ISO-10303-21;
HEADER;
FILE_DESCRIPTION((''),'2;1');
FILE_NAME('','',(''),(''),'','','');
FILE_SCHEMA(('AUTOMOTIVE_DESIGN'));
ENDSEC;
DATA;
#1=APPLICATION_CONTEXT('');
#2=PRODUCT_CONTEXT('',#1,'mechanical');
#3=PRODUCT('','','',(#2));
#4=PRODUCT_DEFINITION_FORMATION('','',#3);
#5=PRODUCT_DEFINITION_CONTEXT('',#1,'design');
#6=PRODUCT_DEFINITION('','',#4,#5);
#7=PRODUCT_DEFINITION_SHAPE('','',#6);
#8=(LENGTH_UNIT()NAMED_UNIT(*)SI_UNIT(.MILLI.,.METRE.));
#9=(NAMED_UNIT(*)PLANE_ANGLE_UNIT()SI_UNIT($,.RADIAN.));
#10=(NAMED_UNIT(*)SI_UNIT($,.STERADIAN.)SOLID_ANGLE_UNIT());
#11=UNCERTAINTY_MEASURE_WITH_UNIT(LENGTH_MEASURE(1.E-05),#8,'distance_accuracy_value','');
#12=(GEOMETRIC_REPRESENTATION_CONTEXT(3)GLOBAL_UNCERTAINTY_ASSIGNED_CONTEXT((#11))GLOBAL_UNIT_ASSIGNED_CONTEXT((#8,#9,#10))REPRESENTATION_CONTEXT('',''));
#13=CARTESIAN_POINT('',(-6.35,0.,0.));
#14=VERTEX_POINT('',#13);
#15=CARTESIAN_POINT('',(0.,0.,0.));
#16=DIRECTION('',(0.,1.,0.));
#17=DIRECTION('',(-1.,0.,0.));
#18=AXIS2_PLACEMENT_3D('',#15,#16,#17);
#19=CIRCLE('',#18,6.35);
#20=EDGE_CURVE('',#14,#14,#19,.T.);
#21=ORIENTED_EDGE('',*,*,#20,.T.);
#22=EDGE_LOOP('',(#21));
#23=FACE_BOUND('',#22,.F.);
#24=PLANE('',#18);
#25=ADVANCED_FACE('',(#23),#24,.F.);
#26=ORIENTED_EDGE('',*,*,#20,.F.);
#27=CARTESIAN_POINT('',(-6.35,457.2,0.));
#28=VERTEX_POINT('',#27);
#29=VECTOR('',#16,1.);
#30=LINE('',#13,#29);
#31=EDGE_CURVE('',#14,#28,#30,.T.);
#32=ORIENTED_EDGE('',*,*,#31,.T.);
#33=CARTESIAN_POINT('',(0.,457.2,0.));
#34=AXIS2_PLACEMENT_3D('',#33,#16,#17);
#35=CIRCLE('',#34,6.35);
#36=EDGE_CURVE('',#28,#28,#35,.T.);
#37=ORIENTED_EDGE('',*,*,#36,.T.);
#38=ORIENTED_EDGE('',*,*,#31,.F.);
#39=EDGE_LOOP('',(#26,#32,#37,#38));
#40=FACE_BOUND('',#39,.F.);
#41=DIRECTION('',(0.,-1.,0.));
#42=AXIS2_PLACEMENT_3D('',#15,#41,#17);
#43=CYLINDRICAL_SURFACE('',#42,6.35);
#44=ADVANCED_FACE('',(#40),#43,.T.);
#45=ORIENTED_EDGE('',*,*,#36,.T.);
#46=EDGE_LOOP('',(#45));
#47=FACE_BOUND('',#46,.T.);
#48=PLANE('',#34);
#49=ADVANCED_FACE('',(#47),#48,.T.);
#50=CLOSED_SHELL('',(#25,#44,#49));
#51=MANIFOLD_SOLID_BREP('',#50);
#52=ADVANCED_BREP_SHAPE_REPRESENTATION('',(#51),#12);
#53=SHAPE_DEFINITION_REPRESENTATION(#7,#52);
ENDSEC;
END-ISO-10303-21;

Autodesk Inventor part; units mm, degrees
ref_plane "YZ Plane" through (0, 0, 0) normal (1, 0, 0) x (0, 1, 0)
ref_plane "XZ Plane" through (0, 0, 0) normal (0, 1, 0) x (-1, 0, 0)
ref_plane "XY Plane" through (0, 0, 0) normal (0, 0, 1) x (1, 0, 0)
sketch "Sketch1" plane through (0, 0, 0) normal (0, 1, 0) x (-1, 0, 0)
  circle A0 centre (0, 0) radius 6.35
  dimension "d0" = 12.7
extrude "Extrusion1" add sketch "Sketch1" along normal blind 457.2
properties part number "CatapultAxleSupport"
